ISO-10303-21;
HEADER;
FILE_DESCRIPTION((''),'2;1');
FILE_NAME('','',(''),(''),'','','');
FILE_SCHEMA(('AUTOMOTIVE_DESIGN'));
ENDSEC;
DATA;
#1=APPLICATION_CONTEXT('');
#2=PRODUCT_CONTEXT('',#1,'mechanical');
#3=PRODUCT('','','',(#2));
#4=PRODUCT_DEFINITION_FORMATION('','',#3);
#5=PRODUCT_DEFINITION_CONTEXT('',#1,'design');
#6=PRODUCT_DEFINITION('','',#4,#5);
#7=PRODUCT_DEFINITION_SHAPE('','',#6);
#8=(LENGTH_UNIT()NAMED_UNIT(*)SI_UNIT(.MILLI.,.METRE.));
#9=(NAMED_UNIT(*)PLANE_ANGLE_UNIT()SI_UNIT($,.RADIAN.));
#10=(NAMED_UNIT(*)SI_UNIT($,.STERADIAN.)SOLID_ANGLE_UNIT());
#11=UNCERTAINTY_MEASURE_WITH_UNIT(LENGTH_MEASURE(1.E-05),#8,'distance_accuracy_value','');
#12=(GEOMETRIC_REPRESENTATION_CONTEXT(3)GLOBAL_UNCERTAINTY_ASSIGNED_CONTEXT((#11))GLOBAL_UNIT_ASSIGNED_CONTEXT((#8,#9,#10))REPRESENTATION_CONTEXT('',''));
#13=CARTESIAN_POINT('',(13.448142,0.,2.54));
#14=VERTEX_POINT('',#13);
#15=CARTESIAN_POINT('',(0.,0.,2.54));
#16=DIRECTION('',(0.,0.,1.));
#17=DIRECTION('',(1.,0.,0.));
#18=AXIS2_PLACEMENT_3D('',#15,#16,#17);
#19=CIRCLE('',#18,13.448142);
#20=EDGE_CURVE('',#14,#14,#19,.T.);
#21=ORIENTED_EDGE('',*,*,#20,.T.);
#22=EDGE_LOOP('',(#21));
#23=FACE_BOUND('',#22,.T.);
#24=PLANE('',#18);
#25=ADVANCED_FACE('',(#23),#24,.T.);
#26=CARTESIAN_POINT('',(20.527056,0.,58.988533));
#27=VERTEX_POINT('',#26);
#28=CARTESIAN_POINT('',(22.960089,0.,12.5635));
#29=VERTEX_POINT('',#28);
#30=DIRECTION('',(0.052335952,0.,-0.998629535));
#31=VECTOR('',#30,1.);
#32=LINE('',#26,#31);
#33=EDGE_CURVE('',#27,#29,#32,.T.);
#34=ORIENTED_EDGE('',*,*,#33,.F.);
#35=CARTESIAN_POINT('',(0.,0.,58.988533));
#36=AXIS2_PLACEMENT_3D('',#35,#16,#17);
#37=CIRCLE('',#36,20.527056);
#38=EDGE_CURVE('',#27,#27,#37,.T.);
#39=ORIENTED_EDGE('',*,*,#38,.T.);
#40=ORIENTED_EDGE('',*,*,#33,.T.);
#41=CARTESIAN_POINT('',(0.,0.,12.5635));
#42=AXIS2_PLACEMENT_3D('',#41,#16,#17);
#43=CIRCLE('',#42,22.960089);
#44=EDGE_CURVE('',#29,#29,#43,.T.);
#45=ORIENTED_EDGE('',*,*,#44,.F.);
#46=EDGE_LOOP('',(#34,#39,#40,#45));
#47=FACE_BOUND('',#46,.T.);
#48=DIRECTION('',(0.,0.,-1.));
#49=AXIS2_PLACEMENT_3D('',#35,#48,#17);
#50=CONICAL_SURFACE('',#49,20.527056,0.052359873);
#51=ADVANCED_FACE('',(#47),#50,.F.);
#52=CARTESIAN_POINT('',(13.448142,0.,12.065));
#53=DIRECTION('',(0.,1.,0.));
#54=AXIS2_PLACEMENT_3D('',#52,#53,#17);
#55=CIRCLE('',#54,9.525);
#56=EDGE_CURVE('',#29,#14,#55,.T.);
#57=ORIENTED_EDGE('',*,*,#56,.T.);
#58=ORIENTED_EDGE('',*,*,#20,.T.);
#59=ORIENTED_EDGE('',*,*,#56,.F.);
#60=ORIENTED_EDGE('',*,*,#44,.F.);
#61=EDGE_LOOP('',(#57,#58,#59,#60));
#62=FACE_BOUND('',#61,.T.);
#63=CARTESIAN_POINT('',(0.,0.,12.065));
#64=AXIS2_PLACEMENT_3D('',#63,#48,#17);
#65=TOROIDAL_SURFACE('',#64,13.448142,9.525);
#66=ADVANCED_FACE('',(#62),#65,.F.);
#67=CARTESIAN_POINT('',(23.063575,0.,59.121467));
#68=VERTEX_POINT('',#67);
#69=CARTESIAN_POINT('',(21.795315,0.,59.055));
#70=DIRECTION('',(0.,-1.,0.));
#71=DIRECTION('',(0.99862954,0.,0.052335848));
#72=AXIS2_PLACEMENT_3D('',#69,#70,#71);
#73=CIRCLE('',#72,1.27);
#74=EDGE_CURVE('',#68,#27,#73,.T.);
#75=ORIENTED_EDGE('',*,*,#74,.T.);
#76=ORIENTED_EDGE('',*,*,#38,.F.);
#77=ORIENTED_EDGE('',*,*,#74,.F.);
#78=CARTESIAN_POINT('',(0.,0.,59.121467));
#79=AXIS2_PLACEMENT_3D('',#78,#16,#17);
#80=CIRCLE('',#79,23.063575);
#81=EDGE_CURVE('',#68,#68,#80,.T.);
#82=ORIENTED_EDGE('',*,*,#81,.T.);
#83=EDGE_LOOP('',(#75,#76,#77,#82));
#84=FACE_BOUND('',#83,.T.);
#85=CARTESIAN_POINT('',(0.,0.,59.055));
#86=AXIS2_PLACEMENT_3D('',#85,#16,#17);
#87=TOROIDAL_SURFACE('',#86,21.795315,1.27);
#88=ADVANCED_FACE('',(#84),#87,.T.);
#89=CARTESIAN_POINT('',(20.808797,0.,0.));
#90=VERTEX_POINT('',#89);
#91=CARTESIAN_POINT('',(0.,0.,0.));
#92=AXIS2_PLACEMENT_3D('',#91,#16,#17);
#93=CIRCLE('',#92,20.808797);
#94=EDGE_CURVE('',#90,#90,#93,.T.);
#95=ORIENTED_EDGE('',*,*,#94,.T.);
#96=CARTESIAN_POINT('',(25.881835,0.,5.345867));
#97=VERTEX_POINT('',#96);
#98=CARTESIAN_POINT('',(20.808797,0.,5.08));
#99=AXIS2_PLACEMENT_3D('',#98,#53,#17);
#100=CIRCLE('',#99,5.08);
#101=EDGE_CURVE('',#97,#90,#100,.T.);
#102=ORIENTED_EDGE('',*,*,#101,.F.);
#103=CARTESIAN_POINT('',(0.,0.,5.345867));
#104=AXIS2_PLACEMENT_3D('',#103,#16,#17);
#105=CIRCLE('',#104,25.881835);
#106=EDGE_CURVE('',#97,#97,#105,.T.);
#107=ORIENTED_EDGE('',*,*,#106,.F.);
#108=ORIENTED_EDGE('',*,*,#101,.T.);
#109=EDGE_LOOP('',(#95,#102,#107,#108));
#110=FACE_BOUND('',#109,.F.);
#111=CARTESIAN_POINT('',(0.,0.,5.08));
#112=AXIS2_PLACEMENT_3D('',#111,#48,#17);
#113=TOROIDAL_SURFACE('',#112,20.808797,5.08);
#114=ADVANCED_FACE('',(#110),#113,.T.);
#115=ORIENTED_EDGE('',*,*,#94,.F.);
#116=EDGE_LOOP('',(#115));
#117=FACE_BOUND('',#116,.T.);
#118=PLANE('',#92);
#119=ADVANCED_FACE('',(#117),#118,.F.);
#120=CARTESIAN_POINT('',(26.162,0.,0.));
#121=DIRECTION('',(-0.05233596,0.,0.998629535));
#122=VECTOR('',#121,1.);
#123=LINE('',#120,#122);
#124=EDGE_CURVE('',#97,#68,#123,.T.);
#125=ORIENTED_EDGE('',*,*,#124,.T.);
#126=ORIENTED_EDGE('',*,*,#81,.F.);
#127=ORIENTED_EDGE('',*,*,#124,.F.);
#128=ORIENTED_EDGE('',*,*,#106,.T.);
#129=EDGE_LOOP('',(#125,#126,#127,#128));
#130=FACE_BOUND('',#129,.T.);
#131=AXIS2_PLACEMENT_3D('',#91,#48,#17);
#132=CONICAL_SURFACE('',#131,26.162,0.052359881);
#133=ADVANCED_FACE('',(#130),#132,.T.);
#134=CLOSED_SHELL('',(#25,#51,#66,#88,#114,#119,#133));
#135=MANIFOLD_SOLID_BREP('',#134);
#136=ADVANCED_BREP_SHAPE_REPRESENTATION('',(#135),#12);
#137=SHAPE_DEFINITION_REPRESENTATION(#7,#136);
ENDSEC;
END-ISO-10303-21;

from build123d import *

# Parameters (mm, degrees)
F2_R = 9.525
F3_R = 5.08


with BuildPart() as f1:
    # F0 (on Front) → F1 (revolve)
    with BuildSketch(Plane.XZ):
        with BuildLine():
            Line((0, 2.54), (0, 0))
            Line((0, 0), (26.162, 0))
            Line((26.162, 0), (23.063575, 59.121467))
            ThreePointArc((23.063575, 59.121467), (21.728849, 60.32326), (20.527056, 58.988533))
            Line((20.527056, 58.988533), (23.485398, 2.54))
            Line((23.485398, 2.54), (0, 2.54))
        make_face()
    revolve(axis=Axis((0, 0, 30.1625), (0, 0, 1)))

    # F2
    f2_edges = [f1.edges().sort_by_distance(p)[0] for p in [
        (-23.485398, 0, 2.54),
    ]]
    fillet(f2_edges, radius=F2_R)

    # F3
    f3_edges = [f1.edges().sort_by_distance(p)[0] for p in [
        (-26.162, 0, 0),
    ]]
    fillet(f3_edges, radius=F3_R)


solid = f1.part
